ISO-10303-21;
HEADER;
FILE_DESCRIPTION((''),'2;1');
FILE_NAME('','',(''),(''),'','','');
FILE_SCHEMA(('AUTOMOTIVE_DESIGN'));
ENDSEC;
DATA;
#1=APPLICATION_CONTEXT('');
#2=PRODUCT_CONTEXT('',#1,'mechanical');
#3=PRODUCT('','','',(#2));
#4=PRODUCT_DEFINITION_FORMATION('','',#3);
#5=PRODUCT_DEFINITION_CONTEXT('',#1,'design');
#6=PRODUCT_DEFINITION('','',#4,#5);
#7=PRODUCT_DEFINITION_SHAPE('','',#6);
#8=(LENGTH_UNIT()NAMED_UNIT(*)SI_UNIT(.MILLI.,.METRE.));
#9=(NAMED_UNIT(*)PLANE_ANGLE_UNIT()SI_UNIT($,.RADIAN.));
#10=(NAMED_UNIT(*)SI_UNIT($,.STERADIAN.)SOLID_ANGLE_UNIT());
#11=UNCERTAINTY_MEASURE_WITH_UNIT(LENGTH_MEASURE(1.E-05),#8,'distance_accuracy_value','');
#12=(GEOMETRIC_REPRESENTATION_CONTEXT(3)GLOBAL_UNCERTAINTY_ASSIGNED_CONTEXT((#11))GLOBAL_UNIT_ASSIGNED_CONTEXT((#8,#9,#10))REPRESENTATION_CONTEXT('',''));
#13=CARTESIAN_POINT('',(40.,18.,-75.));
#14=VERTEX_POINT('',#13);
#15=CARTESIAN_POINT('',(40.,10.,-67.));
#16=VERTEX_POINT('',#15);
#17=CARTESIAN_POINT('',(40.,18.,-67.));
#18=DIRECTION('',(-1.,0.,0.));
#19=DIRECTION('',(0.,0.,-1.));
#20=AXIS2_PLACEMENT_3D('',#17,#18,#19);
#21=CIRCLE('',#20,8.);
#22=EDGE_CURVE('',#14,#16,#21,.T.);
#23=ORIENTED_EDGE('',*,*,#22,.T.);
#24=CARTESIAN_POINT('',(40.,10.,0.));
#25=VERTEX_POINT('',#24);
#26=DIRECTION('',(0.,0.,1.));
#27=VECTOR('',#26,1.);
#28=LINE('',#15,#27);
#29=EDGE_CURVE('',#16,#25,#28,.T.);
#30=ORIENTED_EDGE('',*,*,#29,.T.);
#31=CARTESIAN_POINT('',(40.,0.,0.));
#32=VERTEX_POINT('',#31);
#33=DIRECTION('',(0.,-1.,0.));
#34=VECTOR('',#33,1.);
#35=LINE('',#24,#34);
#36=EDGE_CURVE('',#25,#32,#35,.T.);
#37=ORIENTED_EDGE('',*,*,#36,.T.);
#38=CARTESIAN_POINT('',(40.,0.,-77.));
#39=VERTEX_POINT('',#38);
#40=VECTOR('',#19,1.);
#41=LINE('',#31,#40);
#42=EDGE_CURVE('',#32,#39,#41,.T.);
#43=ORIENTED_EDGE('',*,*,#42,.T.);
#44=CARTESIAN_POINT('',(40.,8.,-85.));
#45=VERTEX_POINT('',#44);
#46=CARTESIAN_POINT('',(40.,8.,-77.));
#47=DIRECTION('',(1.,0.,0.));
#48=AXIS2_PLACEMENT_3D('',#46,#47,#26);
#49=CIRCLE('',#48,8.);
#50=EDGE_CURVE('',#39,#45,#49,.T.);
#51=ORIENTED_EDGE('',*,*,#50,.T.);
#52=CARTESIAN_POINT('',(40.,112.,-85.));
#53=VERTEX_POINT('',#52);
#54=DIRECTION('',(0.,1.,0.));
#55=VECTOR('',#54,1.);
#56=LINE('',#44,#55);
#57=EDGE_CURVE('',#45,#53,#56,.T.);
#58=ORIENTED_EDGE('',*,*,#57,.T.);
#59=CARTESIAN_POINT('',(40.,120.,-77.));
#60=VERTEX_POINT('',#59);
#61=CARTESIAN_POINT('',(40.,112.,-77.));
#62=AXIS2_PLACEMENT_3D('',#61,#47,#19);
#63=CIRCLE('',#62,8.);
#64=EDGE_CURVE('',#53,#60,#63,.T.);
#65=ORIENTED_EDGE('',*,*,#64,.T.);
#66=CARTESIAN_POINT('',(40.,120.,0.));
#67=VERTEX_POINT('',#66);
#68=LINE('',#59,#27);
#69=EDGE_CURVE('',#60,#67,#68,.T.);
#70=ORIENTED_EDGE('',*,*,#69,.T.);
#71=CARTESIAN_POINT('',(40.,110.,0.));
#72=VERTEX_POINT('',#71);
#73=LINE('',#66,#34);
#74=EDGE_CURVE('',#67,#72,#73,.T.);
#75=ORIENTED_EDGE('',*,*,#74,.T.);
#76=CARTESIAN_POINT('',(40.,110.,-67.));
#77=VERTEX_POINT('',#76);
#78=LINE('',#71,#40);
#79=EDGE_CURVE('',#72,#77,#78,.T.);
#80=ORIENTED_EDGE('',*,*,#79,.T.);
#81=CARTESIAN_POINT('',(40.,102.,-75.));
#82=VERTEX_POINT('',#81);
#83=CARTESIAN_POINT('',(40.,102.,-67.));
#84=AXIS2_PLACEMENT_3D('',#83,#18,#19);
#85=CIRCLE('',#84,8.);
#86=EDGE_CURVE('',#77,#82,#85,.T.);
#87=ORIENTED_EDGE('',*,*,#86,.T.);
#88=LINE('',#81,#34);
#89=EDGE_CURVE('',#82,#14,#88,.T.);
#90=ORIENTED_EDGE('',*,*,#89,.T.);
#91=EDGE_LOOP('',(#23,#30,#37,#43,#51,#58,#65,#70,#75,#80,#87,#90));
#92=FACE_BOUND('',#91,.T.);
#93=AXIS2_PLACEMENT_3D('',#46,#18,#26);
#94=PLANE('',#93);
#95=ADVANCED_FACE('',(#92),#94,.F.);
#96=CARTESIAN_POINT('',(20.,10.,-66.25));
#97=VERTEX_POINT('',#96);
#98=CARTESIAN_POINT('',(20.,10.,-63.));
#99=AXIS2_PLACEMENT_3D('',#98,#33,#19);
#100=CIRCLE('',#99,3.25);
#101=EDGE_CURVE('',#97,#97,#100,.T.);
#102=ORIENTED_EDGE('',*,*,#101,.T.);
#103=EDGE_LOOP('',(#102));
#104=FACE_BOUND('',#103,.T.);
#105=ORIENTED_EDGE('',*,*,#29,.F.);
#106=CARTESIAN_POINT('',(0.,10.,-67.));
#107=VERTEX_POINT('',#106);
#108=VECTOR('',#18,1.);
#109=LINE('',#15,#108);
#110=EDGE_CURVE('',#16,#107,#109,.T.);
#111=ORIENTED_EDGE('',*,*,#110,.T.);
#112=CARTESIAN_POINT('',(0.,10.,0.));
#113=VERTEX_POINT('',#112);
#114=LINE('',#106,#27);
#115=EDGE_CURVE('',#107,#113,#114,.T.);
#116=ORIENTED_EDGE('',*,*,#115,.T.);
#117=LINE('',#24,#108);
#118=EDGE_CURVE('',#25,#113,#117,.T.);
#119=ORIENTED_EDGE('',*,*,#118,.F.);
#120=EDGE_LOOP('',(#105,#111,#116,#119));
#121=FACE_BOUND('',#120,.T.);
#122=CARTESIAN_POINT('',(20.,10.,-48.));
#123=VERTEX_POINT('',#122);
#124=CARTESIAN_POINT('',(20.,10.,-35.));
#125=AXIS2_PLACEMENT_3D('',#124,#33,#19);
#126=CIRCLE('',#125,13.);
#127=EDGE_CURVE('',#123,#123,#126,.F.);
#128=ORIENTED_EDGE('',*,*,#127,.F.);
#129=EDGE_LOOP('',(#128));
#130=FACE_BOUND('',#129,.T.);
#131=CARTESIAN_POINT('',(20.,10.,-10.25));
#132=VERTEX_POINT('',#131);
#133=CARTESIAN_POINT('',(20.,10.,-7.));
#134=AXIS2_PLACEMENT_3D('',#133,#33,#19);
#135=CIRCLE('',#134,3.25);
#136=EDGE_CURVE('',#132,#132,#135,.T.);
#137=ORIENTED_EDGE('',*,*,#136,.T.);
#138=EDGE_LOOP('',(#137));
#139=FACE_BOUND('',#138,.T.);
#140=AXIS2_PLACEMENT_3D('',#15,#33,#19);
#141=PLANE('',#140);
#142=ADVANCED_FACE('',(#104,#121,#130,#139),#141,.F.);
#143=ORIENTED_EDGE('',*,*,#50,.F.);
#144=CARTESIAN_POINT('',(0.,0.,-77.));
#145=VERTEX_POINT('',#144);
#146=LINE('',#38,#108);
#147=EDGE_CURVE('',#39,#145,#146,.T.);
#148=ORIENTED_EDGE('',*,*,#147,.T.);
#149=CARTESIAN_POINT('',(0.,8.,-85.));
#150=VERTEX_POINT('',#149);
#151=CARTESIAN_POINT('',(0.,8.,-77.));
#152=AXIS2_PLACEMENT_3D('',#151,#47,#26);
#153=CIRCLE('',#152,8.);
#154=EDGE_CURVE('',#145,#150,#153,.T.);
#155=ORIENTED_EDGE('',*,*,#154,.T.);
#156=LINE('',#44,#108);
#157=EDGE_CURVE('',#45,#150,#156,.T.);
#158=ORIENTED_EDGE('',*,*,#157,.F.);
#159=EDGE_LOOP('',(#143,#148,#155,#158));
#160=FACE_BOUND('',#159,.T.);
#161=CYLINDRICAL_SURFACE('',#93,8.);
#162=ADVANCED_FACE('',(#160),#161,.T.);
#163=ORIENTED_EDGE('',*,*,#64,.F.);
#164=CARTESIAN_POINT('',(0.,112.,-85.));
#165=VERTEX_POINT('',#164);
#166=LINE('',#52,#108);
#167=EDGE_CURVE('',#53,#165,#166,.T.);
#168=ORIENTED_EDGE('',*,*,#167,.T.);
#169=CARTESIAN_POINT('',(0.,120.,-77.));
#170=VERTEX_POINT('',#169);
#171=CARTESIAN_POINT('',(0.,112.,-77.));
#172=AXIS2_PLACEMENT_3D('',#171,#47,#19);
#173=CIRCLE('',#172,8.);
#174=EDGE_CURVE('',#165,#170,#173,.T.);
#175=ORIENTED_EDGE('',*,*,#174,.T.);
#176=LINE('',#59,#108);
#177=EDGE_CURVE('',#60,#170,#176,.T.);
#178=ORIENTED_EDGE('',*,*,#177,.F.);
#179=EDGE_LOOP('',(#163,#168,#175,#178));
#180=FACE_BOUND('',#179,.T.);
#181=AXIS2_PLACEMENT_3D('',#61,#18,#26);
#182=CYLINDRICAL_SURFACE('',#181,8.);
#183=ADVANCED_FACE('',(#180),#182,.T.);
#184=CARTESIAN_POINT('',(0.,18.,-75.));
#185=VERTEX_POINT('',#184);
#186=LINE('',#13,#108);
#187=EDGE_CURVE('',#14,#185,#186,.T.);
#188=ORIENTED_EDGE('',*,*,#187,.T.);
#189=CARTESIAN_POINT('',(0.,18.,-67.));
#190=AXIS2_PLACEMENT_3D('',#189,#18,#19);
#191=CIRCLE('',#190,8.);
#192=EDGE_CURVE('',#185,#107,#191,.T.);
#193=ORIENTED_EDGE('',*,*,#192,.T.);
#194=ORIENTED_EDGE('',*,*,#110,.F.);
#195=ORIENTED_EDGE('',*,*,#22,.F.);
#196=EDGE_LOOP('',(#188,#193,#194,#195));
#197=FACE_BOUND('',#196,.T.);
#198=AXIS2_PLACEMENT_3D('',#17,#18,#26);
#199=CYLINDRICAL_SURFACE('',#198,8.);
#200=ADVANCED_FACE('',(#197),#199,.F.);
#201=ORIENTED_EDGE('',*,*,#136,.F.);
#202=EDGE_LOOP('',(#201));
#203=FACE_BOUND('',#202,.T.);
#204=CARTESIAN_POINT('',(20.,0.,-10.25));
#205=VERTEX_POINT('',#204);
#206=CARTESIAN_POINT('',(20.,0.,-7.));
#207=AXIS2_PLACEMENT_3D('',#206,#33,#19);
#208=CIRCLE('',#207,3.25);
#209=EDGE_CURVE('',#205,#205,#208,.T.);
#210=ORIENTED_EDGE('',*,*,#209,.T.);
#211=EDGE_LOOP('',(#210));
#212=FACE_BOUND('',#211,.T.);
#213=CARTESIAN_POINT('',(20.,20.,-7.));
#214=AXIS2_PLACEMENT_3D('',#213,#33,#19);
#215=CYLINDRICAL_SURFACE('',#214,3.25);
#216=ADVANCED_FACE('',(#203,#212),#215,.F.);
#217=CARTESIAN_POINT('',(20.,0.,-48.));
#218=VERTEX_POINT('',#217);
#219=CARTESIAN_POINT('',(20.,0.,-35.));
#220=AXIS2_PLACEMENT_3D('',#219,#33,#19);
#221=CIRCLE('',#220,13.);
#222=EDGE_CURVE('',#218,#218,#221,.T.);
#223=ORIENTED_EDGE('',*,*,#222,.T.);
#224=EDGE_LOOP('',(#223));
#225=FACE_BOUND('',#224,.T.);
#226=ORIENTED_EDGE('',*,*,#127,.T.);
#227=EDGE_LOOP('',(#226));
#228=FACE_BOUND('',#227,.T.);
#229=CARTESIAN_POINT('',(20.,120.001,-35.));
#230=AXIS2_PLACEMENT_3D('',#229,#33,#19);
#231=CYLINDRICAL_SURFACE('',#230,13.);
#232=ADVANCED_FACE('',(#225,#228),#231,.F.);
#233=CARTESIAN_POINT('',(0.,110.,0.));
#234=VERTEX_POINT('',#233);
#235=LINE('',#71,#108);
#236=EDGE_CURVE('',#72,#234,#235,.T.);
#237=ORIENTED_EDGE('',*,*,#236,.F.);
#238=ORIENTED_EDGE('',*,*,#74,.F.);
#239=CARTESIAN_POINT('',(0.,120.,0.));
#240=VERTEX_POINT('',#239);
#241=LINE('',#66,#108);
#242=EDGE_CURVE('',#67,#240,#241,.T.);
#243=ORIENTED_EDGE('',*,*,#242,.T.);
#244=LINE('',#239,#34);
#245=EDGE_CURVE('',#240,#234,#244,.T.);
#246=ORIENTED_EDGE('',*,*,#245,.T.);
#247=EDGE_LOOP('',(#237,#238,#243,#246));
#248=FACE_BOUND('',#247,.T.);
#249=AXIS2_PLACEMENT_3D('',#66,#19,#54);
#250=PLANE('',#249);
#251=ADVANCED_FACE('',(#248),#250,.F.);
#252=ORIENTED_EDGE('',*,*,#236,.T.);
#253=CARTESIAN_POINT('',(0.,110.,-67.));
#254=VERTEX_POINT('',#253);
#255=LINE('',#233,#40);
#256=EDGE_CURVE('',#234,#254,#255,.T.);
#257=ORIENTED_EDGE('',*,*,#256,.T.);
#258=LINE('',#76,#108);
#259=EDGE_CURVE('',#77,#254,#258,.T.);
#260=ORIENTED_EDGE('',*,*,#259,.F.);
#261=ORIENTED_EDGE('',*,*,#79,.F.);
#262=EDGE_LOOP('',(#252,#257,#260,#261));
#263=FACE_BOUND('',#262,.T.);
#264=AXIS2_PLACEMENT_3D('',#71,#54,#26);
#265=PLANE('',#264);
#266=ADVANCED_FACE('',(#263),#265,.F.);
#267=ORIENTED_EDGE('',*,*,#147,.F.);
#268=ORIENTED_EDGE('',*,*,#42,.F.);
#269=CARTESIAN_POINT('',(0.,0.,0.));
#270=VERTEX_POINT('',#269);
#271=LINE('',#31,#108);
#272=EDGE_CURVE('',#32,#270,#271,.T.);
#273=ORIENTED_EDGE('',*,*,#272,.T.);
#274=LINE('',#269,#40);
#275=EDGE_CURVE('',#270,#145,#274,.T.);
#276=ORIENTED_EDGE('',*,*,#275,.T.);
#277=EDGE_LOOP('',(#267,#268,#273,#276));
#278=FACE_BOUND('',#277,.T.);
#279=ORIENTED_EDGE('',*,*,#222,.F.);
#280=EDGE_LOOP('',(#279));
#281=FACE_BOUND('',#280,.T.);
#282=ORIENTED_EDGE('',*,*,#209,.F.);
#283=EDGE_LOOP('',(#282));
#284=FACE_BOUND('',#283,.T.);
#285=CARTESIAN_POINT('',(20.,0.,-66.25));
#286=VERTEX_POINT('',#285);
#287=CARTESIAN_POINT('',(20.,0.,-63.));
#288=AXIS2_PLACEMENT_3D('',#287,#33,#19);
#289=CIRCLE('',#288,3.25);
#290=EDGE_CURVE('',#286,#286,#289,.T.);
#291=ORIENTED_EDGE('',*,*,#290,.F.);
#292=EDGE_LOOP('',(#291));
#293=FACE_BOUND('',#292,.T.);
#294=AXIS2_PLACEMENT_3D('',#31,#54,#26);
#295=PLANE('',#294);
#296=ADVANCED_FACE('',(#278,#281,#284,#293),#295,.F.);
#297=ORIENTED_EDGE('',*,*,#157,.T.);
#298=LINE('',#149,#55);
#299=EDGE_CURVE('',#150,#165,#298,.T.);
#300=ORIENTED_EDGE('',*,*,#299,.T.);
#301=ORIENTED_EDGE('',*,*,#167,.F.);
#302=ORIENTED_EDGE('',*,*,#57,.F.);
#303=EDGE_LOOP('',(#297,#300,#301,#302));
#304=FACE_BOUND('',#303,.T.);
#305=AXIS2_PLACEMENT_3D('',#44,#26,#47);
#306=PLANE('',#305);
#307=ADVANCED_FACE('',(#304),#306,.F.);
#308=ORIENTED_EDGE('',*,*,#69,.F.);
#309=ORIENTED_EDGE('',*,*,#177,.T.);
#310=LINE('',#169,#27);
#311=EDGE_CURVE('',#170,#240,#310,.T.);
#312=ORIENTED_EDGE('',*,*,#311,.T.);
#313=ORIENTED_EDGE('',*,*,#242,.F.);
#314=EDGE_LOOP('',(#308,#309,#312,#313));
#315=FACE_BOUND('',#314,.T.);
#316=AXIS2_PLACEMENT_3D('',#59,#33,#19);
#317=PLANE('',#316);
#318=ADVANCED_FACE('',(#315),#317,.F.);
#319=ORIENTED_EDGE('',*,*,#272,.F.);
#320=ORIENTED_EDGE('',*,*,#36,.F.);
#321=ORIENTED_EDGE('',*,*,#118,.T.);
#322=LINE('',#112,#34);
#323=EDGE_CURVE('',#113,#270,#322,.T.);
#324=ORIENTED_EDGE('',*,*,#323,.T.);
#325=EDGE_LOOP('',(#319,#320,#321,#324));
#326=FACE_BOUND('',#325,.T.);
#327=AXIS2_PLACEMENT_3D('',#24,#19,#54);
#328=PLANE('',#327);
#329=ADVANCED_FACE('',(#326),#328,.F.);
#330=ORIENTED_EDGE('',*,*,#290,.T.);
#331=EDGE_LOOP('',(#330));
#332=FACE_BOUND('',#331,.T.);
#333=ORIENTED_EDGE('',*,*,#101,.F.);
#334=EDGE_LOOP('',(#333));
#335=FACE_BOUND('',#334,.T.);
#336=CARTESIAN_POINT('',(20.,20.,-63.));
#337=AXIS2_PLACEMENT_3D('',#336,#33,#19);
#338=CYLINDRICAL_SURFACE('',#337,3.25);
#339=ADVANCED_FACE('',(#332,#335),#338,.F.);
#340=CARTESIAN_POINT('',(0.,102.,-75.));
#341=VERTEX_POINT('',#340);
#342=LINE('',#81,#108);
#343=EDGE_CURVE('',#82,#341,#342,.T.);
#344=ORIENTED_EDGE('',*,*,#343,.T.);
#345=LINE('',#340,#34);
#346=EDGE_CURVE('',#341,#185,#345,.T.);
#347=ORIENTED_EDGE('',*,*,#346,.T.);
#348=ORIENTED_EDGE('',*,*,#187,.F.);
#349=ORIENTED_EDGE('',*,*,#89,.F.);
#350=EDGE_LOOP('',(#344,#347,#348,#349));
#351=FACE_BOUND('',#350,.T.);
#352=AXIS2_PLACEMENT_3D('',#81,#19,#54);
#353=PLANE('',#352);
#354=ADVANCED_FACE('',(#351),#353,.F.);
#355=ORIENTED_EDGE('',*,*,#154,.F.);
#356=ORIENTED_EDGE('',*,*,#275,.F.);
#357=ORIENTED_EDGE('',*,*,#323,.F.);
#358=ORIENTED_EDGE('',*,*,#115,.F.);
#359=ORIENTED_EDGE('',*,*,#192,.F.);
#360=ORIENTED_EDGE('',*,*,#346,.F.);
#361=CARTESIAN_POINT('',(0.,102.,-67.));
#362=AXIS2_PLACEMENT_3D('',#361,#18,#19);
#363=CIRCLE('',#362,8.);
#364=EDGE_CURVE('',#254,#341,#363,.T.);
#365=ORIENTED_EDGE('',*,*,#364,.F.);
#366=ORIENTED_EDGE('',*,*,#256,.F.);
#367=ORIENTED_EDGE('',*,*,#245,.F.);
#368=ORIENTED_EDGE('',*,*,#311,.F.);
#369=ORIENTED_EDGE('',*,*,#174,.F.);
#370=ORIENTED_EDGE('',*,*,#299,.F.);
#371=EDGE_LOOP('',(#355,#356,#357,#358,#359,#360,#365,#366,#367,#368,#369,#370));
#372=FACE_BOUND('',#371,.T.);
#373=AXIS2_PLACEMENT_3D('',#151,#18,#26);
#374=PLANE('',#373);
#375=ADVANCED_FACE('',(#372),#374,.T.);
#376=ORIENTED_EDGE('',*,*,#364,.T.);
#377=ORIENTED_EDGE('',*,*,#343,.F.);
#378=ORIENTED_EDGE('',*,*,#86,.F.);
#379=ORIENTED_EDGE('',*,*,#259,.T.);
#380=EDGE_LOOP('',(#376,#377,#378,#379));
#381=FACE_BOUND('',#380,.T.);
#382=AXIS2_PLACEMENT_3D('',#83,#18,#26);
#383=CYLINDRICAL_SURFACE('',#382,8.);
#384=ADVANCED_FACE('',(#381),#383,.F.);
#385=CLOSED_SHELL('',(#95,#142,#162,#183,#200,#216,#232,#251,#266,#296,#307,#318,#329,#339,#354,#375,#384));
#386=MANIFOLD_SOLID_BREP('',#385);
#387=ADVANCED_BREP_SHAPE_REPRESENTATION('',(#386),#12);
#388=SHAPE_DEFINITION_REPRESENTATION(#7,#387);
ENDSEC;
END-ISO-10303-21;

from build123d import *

# Parameters (mm, degrees)
EXTRUDE_1_DEPTH     = 40
CUT_EXTRUDE_1_REACH = 122
SKETCH_5_R          = 13
SKETCH_6_R          = 3.25
CUT_EXTRUDE_2_DEPTH = 20


with BuildPart() as part:
    # 草图1 → 凸台-拉伸1 (new body)
    with BuildSketch(Plane(origin=(0, 0, 0), x_dir=(0, 0, -1), z_dir=(1, 0, 0))):
        with BuildLine():
            Line((0, 0), (77, 0))
            ThreePointArc((77, 0), (82.656854249, 2.343145751), (85, 8))
            Line((85, 8), (85, 112))
            ThreePointArc((85, 112), (82.656854249, 117.656854249), (77, 120))
            Line((77, 120), (0, 120))
            Line((0, 120), (0, 110))
            Line((0, 110), (67, 110))
            ThreePointArc((67, 110), (72.656854249, 107.656854249), (75, 102))
            Line((75, 102), (75, 18))
            ThreePointArc((75, 18), (72.656854249, 12.343145751), (67, 10))
            Line((67, 10), (0, 10))
            Line((0, 10), (0, 0))
        make_face()
    extrude(amount=EXTRUDE_1_DEPTH)

    # 草图5 → 切除-拉伸1 (cut, up to next)
    with BuildSketch(Plane.XZ, mode=Mode.PRIVATE) as cut_extrude_1_sk1:
        with Locations((20, -35)):
            Circle(SKETCH_5_R)
    cut_extrude_1_tool1 = extrude(cut_extrude_1_sk1.sketch, amount=-CUT_EXTRUDE_1_REACH, mode=Mode.PRIVATE) & part.part
    add(cut_extrude_1_tool1.solids().sort_by_distance((20, 0, -35))[0], mode=Mode.SUBTRACT)

    # 草图6 → 切除-拉伸2 (cut)
    with BuildSketch(Plane.XZ):
        with Locations((20, -7)):
            Circle(SKETCH_6_R)
        with Locations((20, -63)):
            Circle(SKETCH_6_R)
    extrude(amount=-CUT_EXTRUDE_2_DEPTH, mode=Mode.SUBTRACT)


solid = part.part
